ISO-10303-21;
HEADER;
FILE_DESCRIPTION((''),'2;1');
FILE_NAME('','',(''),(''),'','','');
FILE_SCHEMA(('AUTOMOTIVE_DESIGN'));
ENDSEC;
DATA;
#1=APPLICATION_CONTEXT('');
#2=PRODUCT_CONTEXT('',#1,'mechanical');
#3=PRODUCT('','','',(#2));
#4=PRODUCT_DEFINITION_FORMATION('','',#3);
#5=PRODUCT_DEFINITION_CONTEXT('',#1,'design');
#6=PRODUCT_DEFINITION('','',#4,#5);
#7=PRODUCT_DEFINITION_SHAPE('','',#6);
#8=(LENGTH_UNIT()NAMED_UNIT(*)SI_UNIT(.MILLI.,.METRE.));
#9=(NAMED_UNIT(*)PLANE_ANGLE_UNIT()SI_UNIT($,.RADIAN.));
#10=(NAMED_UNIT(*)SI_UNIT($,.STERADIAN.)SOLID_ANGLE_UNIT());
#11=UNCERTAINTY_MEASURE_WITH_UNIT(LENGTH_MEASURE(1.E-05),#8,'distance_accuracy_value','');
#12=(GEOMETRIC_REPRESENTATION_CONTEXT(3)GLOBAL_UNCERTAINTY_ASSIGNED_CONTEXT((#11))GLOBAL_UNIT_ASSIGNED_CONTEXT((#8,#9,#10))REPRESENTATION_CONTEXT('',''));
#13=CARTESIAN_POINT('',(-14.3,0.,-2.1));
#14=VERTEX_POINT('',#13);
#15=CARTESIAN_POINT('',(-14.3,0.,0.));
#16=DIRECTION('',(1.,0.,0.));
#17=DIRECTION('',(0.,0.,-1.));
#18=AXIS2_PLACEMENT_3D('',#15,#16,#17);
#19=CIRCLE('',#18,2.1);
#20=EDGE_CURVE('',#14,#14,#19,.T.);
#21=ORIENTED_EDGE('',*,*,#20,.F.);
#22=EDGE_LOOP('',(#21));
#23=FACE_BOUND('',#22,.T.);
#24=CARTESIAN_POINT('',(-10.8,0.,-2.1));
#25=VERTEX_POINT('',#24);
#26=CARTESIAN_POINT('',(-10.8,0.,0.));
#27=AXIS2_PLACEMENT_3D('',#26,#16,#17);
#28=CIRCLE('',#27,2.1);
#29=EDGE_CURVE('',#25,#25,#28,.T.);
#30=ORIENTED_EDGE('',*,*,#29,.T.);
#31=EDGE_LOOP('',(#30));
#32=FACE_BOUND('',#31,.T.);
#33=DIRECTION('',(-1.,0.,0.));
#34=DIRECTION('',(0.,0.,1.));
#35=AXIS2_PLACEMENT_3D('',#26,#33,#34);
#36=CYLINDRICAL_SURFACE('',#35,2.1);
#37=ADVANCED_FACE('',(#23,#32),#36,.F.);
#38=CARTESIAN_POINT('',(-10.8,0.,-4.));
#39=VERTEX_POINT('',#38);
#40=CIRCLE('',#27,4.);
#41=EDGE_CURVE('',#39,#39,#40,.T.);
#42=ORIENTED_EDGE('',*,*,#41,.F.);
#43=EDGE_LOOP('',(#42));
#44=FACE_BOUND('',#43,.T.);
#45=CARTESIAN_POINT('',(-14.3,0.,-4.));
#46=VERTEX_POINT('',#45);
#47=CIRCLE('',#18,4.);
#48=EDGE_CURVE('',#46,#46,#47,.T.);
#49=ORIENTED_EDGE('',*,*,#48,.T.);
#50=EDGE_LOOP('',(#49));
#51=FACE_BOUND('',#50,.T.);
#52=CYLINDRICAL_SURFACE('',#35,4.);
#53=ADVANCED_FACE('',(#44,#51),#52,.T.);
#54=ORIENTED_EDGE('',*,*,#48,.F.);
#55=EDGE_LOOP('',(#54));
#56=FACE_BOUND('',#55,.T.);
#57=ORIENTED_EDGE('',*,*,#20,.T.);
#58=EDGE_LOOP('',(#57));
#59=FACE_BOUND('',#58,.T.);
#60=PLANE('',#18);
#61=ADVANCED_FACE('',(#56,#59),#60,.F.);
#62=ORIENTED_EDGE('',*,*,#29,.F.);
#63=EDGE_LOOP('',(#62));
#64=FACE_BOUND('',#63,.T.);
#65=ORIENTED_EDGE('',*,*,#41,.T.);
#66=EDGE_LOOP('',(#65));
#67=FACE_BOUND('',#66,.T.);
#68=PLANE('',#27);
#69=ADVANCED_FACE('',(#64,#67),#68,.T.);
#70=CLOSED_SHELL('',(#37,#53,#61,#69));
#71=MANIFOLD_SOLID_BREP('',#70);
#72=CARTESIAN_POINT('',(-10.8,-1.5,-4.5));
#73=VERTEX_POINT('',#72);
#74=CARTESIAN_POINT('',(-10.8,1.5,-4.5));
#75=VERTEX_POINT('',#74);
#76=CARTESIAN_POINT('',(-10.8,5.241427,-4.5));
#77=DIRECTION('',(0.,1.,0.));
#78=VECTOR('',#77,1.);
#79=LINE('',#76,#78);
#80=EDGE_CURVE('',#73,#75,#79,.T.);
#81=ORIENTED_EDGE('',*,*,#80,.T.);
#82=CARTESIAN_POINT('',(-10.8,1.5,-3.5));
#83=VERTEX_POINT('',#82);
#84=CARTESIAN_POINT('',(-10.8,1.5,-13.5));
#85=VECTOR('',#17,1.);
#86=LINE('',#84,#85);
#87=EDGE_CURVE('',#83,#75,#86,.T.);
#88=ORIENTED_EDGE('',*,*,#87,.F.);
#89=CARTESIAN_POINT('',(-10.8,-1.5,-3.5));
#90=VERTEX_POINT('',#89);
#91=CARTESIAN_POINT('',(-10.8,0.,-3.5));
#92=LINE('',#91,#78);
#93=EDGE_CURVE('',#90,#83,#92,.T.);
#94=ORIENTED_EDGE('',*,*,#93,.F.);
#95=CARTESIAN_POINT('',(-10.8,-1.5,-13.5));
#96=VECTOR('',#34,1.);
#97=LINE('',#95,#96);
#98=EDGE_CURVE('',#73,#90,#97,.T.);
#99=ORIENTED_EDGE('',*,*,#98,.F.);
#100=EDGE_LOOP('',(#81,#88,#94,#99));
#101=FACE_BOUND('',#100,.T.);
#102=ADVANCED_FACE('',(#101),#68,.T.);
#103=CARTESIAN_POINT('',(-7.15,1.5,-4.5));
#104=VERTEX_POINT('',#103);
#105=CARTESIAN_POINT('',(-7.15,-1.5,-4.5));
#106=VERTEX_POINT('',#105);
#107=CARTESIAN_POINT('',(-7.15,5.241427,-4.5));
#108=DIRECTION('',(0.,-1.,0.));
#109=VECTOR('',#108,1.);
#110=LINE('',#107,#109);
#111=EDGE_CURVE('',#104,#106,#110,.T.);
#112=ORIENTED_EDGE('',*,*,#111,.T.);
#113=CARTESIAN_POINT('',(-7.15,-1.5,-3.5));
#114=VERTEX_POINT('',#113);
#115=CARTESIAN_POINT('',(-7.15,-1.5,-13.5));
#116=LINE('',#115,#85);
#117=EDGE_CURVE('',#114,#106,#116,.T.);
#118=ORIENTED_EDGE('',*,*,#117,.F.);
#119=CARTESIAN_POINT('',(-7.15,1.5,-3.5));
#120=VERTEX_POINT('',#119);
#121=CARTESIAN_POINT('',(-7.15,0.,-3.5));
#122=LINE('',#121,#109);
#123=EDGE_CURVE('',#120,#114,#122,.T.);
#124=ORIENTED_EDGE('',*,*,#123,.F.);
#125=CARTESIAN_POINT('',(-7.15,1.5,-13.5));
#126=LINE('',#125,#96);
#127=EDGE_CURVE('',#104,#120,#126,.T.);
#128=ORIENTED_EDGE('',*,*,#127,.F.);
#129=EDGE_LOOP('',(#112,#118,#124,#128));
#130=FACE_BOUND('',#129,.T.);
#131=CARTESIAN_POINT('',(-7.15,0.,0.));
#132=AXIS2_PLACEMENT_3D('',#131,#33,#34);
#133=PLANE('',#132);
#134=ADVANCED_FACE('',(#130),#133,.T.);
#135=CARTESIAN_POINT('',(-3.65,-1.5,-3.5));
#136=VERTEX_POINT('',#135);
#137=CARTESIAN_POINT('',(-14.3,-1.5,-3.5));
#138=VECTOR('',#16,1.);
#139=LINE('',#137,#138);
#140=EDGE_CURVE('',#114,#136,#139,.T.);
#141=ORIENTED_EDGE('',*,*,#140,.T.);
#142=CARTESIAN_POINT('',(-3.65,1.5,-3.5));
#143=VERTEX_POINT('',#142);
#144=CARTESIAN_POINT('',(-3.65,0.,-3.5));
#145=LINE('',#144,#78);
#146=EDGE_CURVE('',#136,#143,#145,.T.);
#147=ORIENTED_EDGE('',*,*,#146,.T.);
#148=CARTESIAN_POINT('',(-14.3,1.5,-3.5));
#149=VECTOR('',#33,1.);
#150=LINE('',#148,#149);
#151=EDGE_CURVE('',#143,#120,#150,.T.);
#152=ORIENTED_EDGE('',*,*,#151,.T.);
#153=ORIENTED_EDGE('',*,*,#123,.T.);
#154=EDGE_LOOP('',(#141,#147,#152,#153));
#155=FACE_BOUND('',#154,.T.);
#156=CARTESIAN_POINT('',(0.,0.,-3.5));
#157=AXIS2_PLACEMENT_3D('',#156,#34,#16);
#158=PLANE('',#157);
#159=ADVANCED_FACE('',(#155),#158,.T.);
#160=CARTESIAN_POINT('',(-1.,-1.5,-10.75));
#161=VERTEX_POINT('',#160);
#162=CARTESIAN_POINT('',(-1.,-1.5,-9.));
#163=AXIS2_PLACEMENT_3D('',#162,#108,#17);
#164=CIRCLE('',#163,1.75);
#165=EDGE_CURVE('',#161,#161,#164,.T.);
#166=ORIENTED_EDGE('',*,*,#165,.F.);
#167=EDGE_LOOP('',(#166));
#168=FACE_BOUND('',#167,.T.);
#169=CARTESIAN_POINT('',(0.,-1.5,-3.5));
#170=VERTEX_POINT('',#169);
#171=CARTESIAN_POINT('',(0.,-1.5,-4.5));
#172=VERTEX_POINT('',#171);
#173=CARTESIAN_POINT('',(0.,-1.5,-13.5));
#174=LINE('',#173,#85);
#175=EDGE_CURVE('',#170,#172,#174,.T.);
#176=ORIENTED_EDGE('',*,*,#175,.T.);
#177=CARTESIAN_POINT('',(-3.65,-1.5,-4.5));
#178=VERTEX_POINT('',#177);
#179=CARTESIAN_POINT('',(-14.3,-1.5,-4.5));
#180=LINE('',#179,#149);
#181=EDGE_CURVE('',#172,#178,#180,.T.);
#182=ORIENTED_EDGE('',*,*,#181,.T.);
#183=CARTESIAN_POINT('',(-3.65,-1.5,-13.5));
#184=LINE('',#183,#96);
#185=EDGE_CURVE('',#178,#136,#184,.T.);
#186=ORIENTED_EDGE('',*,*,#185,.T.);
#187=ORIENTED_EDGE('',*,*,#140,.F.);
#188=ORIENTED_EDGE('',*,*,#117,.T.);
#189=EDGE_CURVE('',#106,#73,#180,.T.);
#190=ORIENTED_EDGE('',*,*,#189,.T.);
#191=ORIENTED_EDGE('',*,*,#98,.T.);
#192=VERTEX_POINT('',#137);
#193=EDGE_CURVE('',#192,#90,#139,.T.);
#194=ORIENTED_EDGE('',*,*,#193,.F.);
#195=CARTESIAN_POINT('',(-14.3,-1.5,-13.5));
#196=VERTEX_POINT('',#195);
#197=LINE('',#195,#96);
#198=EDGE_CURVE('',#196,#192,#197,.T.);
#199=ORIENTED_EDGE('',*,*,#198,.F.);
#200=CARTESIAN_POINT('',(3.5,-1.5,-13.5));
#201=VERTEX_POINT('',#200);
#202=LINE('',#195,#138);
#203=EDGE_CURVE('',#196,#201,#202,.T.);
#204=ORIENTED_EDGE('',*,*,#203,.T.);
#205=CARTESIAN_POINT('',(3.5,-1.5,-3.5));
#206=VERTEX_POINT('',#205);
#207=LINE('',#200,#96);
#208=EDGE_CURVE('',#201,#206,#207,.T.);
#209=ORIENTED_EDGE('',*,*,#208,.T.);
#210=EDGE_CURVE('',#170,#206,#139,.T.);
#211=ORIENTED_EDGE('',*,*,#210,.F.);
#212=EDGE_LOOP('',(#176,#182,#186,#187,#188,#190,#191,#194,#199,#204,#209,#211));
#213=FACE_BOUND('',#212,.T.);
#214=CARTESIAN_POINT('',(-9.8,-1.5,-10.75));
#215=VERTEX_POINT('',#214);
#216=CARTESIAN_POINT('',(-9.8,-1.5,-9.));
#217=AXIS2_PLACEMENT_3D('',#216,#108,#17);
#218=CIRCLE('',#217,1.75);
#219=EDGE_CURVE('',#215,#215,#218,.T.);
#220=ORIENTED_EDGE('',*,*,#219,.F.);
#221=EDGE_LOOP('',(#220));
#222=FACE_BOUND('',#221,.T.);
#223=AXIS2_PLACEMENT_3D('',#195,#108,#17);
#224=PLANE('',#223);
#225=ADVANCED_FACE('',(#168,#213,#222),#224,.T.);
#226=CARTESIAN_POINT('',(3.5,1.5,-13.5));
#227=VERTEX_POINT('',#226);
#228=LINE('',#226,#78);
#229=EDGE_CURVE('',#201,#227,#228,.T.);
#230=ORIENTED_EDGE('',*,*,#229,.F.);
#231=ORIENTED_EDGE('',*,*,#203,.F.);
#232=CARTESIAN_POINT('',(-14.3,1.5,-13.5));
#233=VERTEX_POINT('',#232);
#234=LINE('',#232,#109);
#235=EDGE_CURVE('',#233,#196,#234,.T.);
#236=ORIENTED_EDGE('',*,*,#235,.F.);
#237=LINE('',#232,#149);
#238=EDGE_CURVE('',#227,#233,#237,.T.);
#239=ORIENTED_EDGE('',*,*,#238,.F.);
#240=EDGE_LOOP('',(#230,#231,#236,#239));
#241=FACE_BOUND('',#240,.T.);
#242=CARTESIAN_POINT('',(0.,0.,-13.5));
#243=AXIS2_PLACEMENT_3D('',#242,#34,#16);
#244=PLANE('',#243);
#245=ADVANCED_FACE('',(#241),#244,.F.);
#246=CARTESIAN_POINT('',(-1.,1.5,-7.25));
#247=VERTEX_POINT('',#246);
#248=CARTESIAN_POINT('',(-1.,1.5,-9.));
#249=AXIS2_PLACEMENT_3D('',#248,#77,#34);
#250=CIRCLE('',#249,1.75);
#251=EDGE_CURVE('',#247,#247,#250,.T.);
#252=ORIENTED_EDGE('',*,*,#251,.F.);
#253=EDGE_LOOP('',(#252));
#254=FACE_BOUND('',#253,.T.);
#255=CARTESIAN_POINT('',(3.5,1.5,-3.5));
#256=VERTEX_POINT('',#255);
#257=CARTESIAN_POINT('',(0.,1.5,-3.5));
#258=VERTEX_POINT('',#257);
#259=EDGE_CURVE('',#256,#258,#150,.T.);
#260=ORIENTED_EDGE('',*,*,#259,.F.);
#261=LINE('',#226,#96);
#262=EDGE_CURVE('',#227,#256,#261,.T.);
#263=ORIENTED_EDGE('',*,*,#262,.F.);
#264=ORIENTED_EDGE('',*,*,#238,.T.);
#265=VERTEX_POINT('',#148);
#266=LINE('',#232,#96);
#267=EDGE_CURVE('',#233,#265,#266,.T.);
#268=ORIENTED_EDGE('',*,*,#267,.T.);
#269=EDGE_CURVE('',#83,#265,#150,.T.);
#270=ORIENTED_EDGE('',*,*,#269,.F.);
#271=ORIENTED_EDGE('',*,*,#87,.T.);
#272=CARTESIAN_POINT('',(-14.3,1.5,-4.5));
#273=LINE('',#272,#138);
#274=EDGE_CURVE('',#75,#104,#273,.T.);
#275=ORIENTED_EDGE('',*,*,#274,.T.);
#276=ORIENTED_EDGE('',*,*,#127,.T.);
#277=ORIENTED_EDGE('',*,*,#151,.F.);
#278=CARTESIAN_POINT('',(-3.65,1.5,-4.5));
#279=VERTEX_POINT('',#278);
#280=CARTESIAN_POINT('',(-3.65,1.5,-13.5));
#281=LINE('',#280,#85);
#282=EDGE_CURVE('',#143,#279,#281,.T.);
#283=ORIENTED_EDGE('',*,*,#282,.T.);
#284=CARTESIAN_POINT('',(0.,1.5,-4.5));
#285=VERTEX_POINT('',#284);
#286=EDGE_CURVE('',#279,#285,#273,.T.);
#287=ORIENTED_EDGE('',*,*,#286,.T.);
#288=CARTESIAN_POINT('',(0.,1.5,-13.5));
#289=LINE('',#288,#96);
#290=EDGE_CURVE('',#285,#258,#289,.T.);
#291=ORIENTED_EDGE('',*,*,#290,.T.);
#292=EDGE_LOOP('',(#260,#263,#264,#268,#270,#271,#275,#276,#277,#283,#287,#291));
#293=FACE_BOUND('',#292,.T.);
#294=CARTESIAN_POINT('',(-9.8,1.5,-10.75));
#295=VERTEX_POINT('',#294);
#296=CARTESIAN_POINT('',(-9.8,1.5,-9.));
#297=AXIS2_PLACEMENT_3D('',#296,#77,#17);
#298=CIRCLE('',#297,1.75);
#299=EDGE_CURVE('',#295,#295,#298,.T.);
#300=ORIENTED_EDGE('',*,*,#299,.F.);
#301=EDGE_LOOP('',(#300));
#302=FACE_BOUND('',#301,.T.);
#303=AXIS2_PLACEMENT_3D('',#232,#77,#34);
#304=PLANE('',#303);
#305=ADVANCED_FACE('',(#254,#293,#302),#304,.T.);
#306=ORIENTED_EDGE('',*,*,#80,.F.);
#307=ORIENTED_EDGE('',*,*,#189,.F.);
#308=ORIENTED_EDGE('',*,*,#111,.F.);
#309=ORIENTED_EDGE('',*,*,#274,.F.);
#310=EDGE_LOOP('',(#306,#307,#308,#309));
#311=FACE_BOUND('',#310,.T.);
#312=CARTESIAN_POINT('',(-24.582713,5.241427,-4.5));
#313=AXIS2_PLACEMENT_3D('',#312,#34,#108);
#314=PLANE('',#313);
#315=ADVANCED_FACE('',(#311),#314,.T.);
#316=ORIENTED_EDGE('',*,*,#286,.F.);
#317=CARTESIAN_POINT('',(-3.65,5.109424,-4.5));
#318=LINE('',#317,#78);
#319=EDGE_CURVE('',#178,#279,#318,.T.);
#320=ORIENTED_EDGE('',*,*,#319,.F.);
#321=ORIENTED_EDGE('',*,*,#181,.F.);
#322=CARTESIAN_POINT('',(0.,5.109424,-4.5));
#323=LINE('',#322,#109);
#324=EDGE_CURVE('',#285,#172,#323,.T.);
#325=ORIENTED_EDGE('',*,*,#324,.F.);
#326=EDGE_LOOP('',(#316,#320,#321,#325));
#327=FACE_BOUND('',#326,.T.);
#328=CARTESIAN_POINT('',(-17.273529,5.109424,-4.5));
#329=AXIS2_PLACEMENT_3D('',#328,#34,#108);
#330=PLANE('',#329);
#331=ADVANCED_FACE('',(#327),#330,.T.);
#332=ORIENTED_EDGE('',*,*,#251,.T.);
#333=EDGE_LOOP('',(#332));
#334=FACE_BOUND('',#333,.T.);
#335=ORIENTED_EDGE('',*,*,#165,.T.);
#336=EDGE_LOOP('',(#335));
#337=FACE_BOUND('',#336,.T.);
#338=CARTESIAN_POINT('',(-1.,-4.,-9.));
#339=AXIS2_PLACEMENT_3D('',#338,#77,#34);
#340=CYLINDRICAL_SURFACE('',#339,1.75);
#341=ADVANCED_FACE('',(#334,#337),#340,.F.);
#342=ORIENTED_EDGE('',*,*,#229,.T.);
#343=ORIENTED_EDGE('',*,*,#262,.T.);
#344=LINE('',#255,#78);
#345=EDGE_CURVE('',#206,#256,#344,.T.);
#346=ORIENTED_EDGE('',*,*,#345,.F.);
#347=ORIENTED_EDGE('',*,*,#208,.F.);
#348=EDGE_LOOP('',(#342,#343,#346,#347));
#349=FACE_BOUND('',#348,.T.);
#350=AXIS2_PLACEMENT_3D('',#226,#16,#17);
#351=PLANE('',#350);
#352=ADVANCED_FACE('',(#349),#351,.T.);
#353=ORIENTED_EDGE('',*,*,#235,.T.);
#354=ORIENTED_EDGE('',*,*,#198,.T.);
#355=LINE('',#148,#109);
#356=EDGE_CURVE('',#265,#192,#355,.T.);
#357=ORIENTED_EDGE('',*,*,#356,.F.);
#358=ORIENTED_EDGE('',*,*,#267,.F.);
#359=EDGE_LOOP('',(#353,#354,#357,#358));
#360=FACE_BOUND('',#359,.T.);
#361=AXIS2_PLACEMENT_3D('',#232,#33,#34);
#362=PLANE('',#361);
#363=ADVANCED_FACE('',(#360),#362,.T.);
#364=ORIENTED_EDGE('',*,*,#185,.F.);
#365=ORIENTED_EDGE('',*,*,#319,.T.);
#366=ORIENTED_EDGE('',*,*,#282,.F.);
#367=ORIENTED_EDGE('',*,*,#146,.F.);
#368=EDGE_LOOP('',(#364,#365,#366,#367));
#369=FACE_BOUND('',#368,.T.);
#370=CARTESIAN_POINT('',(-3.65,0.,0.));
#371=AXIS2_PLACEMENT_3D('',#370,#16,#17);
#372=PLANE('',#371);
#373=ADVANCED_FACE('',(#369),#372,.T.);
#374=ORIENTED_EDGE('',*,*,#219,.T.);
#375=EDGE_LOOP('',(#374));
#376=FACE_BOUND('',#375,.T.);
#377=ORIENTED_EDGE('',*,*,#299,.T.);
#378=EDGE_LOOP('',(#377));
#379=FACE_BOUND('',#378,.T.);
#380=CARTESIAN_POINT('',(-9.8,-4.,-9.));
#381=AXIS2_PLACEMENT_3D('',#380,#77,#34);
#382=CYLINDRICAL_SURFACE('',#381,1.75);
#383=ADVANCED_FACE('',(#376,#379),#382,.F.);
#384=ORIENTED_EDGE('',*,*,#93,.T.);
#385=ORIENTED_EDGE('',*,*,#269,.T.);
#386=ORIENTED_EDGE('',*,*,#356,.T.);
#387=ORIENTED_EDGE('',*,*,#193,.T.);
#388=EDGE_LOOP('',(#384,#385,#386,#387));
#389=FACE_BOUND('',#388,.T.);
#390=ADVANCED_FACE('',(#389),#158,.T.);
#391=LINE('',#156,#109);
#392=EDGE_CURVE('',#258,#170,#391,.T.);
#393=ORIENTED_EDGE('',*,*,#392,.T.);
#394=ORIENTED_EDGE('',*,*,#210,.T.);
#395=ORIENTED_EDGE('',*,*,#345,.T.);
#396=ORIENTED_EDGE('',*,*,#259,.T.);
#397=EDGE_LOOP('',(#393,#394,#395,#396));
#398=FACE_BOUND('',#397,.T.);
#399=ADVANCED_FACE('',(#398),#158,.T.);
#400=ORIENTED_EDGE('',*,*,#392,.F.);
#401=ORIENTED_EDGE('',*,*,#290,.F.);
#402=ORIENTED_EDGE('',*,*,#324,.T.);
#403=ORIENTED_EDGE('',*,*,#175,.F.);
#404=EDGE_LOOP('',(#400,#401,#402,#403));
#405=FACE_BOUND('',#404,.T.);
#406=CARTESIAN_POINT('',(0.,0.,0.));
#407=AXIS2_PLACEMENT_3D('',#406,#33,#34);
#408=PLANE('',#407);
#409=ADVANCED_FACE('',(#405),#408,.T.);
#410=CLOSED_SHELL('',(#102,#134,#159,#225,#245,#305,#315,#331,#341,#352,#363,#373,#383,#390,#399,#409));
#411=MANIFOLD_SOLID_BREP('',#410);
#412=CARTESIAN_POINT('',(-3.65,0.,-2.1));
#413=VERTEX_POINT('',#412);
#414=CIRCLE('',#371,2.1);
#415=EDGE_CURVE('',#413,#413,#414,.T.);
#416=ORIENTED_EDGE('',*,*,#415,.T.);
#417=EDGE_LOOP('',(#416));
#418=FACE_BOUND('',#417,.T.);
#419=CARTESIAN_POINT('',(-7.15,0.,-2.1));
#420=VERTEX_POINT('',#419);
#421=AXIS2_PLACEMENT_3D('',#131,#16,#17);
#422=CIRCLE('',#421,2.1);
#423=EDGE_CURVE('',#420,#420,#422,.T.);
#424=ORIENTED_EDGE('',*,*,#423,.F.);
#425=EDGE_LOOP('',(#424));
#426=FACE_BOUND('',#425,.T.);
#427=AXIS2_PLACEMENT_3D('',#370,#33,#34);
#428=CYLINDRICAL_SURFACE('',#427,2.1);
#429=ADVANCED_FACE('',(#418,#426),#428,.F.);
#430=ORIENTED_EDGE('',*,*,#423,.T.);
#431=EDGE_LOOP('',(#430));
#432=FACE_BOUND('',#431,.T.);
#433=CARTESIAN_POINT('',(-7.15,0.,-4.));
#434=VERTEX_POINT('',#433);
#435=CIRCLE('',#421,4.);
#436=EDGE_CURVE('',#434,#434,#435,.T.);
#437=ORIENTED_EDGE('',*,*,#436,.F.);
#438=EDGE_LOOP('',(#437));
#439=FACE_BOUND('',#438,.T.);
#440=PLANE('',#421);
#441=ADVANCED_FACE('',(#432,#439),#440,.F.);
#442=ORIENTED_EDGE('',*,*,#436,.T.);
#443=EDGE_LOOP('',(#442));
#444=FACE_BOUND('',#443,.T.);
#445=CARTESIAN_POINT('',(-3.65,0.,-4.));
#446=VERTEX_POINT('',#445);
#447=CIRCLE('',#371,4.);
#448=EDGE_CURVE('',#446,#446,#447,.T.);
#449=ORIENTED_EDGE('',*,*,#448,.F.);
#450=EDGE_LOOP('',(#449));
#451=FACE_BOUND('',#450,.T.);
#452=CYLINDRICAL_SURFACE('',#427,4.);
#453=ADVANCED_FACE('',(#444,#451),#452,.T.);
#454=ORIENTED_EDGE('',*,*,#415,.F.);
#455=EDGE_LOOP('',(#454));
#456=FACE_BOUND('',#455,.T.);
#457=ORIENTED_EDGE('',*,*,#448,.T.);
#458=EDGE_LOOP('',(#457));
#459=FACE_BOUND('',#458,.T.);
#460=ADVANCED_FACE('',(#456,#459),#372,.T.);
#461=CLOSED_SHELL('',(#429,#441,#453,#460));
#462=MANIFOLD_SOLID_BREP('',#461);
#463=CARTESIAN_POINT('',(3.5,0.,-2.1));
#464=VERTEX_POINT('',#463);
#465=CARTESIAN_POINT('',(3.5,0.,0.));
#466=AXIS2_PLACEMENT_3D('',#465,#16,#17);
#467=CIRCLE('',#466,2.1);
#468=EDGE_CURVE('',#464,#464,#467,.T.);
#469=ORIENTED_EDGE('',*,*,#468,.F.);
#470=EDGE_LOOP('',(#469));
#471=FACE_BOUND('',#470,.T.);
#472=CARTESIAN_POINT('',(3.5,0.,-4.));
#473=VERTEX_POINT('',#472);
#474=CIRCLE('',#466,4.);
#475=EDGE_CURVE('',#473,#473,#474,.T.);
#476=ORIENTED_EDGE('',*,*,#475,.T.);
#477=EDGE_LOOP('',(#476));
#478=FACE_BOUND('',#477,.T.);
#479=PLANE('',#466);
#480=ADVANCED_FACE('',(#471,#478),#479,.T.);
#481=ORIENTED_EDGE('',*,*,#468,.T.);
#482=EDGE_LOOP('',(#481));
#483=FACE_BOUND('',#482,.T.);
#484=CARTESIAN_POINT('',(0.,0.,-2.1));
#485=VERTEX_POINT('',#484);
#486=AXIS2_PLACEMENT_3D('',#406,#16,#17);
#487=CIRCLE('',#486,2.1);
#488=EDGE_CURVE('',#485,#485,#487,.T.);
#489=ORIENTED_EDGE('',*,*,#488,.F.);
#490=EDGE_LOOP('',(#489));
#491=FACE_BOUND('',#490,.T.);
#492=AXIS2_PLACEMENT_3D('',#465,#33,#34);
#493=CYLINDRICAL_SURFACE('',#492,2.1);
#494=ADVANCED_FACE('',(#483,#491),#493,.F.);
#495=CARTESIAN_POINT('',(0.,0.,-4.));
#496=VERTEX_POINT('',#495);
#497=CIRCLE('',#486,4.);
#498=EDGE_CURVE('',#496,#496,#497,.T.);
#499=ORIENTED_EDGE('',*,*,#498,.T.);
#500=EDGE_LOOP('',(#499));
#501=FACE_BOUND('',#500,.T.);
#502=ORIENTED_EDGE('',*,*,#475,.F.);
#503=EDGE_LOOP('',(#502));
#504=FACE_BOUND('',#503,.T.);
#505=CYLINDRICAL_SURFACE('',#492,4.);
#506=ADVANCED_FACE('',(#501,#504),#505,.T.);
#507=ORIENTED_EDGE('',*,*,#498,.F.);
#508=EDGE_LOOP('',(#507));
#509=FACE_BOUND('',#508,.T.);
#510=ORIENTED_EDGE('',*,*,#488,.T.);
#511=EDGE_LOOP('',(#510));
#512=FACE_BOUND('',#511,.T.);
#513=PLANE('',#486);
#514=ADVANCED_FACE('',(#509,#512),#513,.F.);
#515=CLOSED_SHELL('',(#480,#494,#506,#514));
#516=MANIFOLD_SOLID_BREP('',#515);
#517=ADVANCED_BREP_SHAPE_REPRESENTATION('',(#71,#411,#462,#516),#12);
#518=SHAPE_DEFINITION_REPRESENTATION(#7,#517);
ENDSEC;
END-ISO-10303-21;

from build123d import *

# Parameters (mm, degrees)
CROQUIS1_R              = 4
CROQUIS1_R_2            = 2.1
SALIENTE_EXTRUIR1_DEPTH = 3.5
MATRIZL3_COUNT          = 3
MATRIZL3_PITCH          = 7.15
CROQUIS4_W              = 17.8
CROQUIS4_H              = 3
SALIENTE_EXTRUIR2_DEPTH = 10
CROQUIS5_R              = 1.75
CORTAR_EXTRUIR1_DEPTH   = 21.420333004
CROQUIS7_W              = 9.009755456
CROQUIS7_H              = 10.218848088
CORTAR_EXTRUIR2_DEPTH   = 3.65
CROQUIS8_W              = 8.948348818
CROQUIS8_H              = 10.48285432
CORTAR_EXTRUIR3_DEPTH   = 3.65


with BuildPart() as part:
    # Croquis1 → Saliente-Extruir1 (new body)
    with BuildSketch(Plane(origin=(0, 0, 0), x_dir=(0, -1, 0), z_dir=(1, 0, 0))):
        with Locations(Location((0, 0, 0), (0, 0, 90))):
            Circle(CROQUIS1_R)
        with Locations(Location((0, 0, 0), (0, 0, 90))):
            Circle(CROQUIS1_R_2, mode=Mode.SUBTRACT)
    extrude(amount=SALIENTE_EXTRUIR1_DEPTH)


with BuildPart() as matrizl3_1:
    # MatrizL3: pattern copy
    add(part.part.moved(Location(Vector(-1, 0, 0) * (1 * MATRIZL3_PITCH))))


with BuildPart() as matrizl3_2:
    # MatrizL3: pattern copy
    add(part.part.moved(Location(Vector(-1, 0, 0) * (2 * MATRIZL3_PITCH))))


with BuildPart() as body_4:
    # Croquis4 → Saliente-Extruir2 (new body)
    with BuildSketch(Plane.XY.offset(-3.5)):
        with Locations((-5.4, 0)):
            Rectangle(CROQUIS4_W, CROQUIS4_H)
    extrude(amount=-SALIENTE_EXTRUIR2_DEPTH)

    # Croquis5 → Cortar-Extruir1 (cut, through all)
    with BuildSketch(Plane(origin=(0, 1.5, 0), x_dir=(1, 0, 0), z_dir=(0, 1, 0))):
        with Locations(Location((-1, 9, 0), (0, 0, 270))):
            Circle(CROQUIS5_R)
        with Locations(Location((-9.8, 9, 0), (0, 0, 90))):
            Circle(CROQUIS5_R)
    extrude(amount=-CORTAR_EXTRUIR1_DEPTH, mode=Mode.SUBTRACT)

    # Croquis7 → Cortar-Extruir2 (cut)
    with BuildSketch(Plane.ZY):
        with Locations((0.004877728, 0)):
            Rectangle(CROQUIS7_W, CROQUIS7_H)
    extrude(amount=CORTAR_EXTRUIR2_DEPTH, mode=Mode.SUBTRACT)

    # Croquis8 → Cortar-Extruir3 (cut)
    with BuildSketch(Plane.ZY.offset(7.15)):
        with Locations((-0.025825591, 0)):
            Rectangle(CROQUIS8_W, CROQUIS8_H)
    extrude(amount=CORTAR_EXTRUIR3_DEPTH, mode=Mode.SUBTRACT)


solid = Compound([part.part, matrizl3_1.part, matrizl3_2.part, body_4.part])
